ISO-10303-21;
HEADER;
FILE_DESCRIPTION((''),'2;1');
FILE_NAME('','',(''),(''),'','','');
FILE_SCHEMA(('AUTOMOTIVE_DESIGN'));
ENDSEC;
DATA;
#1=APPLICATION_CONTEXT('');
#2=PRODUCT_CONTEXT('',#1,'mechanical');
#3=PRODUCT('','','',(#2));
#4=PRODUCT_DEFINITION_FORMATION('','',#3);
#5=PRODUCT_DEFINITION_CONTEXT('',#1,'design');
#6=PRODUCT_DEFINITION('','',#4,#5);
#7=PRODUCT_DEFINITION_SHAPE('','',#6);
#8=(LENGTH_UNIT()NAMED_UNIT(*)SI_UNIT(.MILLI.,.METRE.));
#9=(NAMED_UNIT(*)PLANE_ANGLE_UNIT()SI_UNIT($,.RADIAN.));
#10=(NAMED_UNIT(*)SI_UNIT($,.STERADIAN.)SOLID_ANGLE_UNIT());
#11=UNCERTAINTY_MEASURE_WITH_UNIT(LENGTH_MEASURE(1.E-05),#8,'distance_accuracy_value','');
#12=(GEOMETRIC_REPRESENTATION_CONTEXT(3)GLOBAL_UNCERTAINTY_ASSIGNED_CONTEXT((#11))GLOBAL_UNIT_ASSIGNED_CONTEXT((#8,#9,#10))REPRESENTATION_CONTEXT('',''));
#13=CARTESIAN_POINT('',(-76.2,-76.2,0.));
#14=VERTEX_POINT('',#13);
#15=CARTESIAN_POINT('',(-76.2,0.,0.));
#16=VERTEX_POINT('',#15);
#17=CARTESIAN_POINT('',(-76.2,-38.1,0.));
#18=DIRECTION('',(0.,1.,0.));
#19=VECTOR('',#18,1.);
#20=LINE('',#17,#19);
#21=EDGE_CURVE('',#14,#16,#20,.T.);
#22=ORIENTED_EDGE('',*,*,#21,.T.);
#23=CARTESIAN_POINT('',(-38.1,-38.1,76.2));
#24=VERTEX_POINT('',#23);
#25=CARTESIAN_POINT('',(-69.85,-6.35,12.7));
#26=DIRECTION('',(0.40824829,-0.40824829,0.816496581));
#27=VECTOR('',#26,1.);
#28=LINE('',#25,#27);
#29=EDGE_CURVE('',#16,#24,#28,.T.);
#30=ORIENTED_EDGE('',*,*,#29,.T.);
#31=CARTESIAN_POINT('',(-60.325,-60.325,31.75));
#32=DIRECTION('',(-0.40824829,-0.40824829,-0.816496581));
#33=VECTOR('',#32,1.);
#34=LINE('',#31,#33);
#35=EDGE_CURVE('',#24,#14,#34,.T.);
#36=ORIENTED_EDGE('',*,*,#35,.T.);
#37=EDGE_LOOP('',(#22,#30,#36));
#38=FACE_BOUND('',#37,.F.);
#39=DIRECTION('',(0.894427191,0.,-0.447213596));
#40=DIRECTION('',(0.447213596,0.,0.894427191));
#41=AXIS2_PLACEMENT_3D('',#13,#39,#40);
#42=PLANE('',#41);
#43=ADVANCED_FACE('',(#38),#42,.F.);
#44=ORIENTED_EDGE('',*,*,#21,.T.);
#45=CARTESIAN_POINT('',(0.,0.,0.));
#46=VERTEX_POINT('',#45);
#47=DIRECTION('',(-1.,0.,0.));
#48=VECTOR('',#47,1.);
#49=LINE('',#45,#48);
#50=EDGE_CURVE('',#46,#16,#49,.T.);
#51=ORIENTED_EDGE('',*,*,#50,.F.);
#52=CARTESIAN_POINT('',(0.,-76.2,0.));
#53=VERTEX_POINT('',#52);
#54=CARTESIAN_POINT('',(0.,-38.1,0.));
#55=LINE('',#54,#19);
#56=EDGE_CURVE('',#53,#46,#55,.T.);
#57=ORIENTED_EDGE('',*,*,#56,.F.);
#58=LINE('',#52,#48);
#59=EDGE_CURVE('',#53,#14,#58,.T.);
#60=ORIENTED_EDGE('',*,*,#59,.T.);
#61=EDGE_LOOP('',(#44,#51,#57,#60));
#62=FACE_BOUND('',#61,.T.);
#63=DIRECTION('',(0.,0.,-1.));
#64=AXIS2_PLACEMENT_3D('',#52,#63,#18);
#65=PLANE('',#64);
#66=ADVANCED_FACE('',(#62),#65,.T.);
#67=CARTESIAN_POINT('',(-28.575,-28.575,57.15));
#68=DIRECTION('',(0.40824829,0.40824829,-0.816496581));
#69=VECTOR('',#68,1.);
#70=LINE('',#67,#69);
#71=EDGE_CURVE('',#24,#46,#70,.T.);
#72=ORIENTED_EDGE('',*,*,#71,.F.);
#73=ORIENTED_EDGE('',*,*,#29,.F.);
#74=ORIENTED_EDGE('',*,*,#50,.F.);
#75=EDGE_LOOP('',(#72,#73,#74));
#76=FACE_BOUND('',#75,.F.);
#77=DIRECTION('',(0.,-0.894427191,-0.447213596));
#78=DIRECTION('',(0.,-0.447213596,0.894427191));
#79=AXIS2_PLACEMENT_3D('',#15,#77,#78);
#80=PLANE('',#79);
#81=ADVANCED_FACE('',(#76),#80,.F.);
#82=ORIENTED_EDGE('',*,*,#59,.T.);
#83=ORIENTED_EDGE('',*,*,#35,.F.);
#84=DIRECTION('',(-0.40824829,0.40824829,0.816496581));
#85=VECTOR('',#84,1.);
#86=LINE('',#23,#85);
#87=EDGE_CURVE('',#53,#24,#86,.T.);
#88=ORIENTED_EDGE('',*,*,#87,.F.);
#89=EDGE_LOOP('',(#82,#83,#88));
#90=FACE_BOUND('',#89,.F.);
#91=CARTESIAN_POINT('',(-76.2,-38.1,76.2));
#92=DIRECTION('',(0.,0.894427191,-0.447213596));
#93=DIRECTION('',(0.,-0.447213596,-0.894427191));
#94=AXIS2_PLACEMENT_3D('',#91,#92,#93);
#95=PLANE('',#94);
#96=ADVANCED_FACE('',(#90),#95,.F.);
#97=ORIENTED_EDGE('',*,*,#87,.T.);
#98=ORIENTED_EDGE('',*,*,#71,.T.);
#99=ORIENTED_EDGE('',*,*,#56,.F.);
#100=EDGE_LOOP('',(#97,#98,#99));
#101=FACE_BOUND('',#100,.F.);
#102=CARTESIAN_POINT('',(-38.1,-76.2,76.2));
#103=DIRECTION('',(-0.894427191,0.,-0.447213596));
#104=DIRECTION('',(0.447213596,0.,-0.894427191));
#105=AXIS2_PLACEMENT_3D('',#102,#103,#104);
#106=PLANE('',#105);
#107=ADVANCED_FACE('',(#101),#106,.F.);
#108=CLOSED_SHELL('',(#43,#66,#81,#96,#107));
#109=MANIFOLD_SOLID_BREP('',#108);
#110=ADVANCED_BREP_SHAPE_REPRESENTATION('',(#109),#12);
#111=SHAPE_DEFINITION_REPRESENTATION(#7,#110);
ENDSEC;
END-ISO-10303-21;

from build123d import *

# Parameters (mm, degrees)
F0_W     = 76.2
F0_H     = 76.2
F1_DEPTH = 76.2
F4_DEPTH = 76.2
F5_DEPTH = 76.2


with BuildPart() as f1:
    # F0 (on Right) → F1 (new body)
    with BuildSketch(Plane.YZ):
        with Locations((-38.1, 38.1)):
            Rectangle(F0_W, F0_H)
    extrude(amount=-F1_DEPTH)

    # F3 (on face) → F4 (cut)
    with BuildSketch(Plane(origin=(-76.2, 0, 0), x_dir=(0, -1, 0), z_dir=(-1, 0, 0))):
        Polygon((0, 76.2), (0, 0), (38.1, 76.2), align=None)
        Polygon((38.1, 76.2), (76.2, 0), (76.2, 76.2), align=None)
    extrude(amount=-F4_DEPTH, mode=Mode.SUBTRACT)

    # F2 (on face) → F5 (cut)
    with BuildSketch(Plane.XZ.offset(76.2)):
        Polygon((-76.2, 0), (-38.1, 76.2), (-76.2, 76.2), align=None)
        Polygon((0, 76.2), (-38.1, 76.2), (0, 0), align=None)
    extrude(amount=-F5_DEPTH, mode=Mode.SUBTRACT)


solid = f1.part
